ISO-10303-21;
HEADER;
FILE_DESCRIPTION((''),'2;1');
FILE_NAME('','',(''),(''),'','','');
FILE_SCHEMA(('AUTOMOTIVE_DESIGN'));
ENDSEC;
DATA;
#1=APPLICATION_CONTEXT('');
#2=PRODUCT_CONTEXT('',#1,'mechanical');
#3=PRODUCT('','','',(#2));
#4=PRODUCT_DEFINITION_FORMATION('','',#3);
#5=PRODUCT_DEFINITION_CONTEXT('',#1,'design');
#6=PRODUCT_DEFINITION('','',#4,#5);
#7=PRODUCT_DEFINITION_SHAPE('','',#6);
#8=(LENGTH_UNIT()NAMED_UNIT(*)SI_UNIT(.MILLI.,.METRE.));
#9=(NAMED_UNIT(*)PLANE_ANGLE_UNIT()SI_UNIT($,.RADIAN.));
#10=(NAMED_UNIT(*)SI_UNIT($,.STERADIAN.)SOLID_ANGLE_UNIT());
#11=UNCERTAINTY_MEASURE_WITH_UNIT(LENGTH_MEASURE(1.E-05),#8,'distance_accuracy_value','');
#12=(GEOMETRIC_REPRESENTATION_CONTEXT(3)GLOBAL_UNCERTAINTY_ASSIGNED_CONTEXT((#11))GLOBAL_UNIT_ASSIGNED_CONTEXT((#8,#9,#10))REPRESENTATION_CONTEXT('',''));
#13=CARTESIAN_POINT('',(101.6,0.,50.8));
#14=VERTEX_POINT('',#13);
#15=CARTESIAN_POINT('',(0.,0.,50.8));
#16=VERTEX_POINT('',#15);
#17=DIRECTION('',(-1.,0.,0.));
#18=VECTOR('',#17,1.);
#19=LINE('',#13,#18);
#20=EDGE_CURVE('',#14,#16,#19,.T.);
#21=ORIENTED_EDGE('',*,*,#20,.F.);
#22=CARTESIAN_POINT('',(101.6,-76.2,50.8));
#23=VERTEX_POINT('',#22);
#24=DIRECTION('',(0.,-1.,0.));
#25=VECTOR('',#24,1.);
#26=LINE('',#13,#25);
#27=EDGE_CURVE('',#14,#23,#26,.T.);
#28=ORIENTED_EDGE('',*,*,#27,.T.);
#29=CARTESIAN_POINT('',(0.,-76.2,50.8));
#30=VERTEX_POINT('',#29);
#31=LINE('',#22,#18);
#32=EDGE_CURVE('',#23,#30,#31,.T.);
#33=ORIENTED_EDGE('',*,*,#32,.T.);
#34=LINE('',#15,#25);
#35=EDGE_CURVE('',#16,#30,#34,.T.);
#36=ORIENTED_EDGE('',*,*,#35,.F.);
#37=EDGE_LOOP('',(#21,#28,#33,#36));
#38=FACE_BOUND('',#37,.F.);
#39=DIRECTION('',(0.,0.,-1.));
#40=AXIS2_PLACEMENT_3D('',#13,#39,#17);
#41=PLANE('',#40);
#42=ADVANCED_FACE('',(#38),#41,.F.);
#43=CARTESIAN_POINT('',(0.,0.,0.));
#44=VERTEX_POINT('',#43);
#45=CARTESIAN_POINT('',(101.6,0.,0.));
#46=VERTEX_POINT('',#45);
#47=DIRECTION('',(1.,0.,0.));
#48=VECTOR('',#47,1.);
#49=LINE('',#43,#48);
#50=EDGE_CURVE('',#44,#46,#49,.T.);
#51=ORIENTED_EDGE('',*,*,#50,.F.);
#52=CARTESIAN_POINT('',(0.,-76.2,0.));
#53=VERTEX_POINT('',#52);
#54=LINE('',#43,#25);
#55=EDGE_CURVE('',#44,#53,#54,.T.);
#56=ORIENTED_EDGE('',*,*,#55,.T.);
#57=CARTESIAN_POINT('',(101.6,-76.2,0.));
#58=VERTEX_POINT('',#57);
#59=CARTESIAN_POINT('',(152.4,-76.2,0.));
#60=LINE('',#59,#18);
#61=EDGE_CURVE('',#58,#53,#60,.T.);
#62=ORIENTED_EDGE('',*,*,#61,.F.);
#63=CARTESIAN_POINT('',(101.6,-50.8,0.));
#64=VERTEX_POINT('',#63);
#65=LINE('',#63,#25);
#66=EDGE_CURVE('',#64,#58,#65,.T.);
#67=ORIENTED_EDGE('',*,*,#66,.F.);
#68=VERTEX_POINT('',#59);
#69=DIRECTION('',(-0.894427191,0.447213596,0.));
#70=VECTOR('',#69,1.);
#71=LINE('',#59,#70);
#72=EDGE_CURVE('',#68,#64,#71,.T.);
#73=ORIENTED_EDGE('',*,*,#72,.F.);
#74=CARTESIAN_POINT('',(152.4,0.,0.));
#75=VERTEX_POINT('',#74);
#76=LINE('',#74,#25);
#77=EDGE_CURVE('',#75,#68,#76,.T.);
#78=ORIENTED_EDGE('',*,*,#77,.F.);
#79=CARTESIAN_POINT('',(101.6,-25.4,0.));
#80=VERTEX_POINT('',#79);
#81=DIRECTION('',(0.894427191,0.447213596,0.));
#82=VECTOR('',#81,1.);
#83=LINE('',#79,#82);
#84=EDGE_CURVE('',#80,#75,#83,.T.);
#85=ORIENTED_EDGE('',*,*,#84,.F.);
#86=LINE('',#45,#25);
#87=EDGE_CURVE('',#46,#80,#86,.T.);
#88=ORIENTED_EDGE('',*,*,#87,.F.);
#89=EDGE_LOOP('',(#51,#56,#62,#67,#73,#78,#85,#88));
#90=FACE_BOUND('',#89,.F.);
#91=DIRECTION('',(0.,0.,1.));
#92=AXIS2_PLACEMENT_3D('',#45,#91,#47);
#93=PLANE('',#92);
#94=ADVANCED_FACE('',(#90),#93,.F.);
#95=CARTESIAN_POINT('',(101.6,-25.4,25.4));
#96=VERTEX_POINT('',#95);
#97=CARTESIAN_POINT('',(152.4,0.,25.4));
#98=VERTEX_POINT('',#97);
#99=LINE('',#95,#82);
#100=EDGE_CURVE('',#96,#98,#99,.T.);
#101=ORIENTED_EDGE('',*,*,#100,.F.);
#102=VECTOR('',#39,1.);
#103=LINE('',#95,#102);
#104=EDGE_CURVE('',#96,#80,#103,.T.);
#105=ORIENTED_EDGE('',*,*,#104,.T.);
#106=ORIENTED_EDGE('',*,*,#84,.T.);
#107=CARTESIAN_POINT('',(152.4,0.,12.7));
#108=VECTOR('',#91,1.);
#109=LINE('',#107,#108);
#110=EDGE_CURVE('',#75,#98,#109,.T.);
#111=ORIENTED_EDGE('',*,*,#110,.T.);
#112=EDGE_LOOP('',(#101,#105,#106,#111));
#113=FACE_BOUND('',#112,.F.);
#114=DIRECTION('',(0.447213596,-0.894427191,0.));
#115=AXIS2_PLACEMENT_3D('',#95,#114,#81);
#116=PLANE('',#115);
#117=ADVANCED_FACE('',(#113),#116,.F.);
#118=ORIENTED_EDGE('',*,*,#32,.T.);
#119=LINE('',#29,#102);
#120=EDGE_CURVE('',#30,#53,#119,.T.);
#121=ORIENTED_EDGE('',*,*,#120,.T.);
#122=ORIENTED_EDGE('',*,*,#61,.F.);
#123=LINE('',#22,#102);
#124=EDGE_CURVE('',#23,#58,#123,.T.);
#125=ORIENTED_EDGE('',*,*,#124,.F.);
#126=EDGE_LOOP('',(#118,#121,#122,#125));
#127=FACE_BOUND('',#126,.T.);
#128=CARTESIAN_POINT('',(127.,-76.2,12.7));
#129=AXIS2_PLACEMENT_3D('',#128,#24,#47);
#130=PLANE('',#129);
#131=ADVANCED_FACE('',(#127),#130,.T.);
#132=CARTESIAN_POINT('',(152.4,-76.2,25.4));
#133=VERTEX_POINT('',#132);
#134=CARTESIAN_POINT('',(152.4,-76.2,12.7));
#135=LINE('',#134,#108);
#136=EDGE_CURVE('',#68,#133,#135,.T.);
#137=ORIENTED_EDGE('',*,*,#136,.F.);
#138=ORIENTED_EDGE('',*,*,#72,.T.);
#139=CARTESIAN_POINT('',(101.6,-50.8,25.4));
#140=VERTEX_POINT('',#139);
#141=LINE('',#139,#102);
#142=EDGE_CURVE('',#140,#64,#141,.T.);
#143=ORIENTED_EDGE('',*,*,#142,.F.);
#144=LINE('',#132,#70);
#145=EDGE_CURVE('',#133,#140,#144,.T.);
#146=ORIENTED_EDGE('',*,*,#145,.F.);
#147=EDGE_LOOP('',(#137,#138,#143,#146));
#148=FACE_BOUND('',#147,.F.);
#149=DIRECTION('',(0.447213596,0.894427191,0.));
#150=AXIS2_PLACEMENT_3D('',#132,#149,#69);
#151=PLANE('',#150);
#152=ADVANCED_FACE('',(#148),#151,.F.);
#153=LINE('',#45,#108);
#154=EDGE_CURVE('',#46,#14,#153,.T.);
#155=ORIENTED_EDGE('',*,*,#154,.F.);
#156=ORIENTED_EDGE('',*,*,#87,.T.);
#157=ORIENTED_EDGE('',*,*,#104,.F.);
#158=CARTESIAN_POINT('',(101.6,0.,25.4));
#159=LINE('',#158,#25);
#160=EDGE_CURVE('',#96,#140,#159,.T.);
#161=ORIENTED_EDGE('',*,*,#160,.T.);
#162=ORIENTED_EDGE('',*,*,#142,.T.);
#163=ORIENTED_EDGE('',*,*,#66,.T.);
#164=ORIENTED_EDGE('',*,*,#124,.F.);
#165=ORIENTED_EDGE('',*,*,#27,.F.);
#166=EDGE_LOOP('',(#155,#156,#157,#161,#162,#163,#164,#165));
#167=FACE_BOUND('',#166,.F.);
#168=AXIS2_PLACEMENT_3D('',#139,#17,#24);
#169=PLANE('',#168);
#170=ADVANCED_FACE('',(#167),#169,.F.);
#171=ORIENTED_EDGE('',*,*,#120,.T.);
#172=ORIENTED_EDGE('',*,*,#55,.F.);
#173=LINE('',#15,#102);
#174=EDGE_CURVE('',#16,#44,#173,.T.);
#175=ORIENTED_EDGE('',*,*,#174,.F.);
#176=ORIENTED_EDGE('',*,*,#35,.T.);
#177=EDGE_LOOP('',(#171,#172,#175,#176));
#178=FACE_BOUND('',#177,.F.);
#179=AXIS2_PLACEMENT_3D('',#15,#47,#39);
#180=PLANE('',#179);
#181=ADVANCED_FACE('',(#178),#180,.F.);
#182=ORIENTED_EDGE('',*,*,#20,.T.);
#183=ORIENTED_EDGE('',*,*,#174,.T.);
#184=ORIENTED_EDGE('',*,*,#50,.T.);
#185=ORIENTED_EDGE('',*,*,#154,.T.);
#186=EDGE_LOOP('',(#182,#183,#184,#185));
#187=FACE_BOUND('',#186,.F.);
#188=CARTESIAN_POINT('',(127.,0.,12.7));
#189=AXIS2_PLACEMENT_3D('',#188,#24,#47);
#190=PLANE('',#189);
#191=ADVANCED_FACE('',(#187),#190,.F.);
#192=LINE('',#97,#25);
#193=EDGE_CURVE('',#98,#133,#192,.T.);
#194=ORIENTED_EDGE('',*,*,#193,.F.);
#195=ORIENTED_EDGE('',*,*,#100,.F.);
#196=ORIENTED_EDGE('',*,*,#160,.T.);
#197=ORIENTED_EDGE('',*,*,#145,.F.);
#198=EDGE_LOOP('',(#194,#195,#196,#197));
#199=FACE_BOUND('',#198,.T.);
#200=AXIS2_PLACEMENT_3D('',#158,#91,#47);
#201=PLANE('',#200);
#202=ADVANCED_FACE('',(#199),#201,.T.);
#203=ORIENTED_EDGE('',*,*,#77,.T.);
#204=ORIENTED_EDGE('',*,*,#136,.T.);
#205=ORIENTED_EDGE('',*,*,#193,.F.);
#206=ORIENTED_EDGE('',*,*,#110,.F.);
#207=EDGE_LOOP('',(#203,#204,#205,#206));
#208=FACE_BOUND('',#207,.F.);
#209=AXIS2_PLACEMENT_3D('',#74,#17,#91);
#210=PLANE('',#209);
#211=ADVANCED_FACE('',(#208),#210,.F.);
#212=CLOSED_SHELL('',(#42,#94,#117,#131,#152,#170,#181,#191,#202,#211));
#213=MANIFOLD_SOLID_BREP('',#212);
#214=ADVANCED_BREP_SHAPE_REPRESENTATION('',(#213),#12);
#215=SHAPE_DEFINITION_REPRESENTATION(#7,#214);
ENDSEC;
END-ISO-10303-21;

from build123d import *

# Parameters (mm, degrees)
F1_DEPTH = 76.2
F0_W     = 50.8
F0_H     = 25.4
F2_DEPTH = 76.2
F4_DEPTH = 25.4


with BuildPart() as f1:
    # F0 (on Front) → F1 (new body)
    with BuildSketch(Plane.XZ):
        Polygon((0, 50.8), (0, 0), (101.6, 0), (101.6, 25.4), (101.6, 50.8), align=None)
    extrude(amount=F1_DEPTH)

    # F0 (on Front) → F2 (join)
    with BuildSketch(Plane.XZ):
        with Locations((127, 12.7)):
            Rectangle(F0_W, F0_H)
    extrude(amount=F2_DEPTH)

    # F3 (on face) → F4 (cut)
    with BuildSketch(Plane.XY.offset(25.4)):
        Polygon((101.6, -50.8), (101.6, -76.2), (152.4, -76.2), align=None)
        Polygon((152.4, 0), (101.6, 0), (101.6, -25.4), align=None)
    extrude(amount=-F4_DEPTH, mode=Mode.SUBTRACT)


solid = f1.part
